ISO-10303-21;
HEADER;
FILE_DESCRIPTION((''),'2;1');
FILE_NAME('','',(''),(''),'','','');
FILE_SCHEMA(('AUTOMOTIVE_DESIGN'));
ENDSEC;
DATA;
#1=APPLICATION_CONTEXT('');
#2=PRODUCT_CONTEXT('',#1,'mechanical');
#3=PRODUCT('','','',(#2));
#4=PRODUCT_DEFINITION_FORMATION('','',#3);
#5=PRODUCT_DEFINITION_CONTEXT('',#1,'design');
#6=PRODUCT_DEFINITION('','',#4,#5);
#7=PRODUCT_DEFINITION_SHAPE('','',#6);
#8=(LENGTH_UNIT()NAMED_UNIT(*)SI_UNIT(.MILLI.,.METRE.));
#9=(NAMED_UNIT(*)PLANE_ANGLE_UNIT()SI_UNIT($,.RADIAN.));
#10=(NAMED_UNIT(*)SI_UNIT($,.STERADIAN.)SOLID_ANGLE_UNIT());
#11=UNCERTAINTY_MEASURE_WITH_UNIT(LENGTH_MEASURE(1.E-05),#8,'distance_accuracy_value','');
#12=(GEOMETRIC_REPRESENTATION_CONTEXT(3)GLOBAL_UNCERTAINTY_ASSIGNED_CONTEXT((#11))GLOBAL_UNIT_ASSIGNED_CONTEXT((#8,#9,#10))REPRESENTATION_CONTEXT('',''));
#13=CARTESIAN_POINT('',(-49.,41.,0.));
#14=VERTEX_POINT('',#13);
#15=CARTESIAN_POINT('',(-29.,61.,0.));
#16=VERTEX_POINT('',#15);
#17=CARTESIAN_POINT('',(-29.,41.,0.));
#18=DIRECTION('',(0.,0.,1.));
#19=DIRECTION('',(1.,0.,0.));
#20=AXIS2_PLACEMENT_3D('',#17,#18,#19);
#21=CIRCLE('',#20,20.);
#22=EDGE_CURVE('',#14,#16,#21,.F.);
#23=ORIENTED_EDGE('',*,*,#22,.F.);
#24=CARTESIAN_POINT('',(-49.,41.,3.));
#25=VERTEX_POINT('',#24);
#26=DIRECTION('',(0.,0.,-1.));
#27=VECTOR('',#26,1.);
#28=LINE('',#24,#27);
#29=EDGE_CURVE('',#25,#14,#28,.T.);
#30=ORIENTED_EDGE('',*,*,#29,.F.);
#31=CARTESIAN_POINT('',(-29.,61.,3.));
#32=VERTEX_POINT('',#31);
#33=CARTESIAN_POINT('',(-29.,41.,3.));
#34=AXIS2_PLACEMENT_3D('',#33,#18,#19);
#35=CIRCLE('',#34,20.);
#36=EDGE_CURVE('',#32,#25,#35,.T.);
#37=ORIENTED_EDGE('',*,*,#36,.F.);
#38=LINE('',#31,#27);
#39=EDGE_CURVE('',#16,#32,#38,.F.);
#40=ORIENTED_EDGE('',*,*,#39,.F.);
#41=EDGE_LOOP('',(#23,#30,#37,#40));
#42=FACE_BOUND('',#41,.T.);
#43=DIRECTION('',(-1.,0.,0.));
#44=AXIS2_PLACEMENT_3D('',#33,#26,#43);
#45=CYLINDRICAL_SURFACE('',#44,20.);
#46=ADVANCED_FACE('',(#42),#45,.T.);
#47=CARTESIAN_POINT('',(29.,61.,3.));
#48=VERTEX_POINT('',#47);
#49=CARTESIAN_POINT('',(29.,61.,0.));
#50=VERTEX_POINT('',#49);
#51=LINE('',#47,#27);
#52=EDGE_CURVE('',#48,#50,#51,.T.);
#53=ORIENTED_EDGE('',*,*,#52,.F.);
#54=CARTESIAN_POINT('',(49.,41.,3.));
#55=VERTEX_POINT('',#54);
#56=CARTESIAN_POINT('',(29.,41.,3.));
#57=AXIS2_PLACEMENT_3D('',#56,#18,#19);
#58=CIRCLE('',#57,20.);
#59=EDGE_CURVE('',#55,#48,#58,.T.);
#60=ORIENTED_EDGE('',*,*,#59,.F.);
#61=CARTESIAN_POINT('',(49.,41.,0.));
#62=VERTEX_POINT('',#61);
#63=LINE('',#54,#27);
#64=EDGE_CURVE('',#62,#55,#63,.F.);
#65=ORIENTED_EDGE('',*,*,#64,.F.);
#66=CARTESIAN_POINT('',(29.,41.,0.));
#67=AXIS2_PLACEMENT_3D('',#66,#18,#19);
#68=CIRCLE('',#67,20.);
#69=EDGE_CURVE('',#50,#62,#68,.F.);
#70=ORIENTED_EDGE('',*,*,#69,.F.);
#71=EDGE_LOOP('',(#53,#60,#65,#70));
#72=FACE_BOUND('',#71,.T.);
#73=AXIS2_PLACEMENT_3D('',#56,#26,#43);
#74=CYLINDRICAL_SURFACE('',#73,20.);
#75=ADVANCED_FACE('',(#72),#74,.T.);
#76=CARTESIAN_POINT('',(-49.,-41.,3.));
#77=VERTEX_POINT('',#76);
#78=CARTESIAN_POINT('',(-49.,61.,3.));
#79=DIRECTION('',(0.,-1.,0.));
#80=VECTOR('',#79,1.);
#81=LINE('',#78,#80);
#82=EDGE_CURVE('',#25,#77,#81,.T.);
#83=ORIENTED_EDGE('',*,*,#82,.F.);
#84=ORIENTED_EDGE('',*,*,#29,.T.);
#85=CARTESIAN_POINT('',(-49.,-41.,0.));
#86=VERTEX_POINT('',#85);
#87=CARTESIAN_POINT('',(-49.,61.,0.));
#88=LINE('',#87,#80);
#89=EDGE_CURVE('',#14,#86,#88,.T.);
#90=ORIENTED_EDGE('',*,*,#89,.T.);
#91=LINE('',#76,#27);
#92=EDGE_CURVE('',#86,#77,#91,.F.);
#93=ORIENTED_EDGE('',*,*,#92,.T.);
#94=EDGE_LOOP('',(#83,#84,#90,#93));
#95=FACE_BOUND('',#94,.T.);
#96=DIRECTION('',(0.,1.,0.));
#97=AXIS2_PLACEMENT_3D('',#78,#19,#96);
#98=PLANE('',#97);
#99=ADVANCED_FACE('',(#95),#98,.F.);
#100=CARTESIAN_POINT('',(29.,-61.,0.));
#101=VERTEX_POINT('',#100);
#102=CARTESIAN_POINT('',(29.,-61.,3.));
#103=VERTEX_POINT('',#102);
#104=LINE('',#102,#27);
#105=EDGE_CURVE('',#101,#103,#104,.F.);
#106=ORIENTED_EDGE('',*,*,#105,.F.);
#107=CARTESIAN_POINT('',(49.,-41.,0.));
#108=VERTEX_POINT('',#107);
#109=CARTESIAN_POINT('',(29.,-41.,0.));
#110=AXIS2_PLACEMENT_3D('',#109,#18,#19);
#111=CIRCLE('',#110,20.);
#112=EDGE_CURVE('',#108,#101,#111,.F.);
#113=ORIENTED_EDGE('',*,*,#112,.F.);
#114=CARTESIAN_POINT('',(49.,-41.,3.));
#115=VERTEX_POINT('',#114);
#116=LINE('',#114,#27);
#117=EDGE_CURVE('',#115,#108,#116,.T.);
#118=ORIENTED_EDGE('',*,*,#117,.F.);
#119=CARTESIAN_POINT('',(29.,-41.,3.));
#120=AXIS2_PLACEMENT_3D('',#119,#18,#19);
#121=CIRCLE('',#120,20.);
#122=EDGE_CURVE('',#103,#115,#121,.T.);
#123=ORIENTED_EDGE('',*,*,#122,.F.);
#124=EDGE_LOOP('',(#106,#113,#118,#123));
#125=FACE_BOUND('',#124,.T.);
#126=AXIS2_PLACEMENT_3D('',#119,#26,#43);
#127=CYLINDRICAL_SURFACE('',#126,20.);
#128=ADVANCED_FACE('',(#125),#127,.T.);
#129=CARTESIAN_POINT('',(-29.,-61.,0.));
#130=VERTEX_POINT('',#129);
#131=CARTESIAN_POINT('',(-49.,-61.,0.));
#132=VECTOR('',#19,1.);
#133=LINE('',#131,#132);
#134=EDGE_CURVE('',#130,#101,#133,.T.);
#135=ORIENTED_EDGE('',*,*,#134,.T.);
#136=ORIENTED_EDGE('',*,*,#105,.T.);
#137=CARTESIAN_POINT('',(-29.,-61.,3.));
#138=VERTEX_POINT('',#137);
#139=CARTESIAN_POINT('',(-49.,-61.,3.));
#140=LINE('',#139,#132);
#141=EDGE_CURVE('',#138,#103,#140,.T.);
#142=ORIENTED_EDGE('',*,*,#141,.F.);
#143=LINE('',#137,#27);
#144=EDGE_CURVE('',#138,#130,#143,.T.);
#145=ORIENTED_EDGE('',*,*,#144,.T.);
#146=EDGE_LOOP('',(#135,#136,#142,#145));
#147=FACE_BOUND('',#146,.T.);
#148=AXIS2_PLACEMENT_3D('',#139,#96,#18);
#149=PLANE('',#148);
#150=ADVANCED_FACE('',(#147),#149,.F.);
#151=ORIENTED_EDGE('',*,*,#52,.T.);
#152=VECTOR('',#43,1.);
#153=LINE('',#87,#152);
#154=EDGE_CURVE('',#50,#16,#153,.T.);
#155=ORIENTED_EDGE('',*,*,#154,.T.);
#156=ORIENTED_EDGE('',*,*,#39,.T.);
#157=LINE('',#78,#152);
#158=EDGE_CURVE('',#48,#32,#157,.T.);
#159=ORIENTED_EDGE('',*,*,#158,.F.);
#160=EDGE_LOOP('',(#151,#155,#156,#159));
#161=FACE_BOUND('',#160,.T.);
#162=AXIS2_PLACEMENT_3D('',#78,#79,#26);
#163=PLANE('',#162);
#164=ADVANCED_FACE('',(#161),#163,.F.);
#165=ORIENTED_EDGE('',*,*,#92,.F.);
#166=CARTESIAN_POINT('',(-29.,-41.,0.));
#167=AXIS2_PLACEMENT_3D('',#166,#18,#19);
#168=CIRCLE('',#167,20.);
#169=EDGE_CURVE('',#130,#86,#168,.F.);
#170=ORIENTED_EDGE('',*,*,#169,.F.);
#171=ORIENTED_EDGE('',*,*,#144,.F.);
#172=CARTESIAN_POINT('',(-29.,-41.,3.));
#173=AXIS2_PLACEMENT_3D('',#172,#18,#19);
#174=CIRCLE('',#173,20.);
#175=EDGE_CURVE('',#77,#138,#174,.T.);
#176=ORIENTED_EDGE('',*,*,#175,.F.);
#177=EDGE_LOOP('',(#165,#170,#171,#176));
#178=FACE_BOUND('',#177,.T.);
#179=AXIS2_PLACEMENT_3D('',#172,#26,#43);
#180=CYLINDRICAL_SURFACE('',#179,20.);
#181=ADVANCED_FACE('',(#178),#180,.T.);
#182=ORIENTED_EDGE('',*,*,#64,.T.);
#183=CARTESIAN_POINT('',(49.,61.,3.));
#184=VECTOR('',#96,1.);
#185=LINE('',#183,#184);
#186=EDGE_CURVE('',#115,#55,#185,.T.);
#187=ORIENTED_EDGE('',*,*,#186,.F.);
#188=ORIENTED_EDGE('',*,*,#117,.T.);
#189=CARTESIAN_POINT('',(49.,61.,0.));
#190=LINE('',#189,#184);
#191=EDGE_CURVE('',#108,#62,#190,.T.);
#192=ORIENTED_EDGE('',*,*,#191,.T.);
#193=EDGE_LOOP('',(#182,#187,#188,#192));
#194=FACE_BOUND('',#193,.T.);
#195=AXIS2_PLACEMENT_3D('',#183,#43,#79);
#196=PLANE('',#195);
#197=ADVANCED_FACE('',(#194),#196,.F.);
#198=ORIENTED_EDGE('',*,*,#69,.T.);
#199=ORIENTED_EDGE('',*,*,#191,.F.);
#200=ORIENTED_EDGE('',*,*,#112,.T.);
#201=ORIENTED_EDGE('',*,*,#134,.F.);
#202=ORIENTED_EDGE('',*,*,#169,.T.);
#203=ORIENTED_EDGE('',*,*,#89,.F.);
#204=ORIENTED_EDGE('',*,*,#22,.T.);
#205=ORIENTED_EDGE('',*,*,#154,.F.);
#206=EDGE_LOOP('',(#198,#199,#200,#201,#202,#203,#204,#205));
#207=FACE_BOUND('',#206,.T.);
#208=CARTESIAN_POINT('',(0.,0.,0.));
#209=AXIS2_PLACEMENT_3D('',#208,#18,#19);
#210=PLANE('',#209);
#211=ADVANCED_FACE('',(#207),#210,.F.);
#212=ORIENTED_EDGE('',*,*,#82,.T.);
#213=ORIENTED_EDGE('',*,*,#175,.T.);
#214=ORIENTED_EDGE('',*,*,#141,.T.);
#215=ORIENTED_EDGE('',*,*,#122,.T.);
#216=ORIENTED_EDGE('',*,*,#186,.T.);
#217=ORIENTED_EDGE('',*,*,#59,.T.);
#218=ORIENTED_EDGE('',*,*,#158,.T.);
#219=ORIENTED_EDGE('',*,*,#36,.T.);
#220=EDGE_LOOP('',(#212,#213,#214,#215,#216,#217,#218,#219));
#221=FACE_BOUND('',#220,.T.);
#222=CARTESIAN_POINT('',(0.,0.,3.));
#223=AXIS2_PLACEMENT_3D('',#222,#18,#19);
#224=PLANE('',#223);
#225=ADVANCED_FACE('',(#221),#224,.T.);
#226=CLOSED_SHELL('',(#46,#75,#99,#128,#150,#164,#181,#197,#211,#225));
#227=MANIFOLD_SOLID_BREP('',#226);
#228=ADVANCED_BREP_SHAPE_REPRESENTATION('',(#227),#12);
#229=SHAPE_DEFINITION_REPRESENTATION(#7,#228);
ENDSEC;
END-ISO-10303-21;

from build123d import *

# Parameters (mm, degrees)
SKETCH_1_W      = 98
SKETCH_1_H      = 122
EXTRUDE_1_DEPTH = 3
FILLET_1_R      = 20


with BuildPart() as part:
    # 草图1 → 凸台-拉伸1 (new body)
    with BuildSketch(Plane.XY):
        Rectangle(SKETCH_1_W, SKETCH_1_H)
    extrude(amount=EXTRUDE_1_DEPTH)

    # 圆角1
    fillet_1_edges = [part.edges().sort_by_distance(p)[0] for p in [
        (49, -61, 1.5),
        (-49, -61, 1.5),
        (-49, 61, 1.5),
        (49, 61, 1.5),
    ]]
    fillet(fillet_1_edges, radius=FILLET_1_R)


solid = part.part
